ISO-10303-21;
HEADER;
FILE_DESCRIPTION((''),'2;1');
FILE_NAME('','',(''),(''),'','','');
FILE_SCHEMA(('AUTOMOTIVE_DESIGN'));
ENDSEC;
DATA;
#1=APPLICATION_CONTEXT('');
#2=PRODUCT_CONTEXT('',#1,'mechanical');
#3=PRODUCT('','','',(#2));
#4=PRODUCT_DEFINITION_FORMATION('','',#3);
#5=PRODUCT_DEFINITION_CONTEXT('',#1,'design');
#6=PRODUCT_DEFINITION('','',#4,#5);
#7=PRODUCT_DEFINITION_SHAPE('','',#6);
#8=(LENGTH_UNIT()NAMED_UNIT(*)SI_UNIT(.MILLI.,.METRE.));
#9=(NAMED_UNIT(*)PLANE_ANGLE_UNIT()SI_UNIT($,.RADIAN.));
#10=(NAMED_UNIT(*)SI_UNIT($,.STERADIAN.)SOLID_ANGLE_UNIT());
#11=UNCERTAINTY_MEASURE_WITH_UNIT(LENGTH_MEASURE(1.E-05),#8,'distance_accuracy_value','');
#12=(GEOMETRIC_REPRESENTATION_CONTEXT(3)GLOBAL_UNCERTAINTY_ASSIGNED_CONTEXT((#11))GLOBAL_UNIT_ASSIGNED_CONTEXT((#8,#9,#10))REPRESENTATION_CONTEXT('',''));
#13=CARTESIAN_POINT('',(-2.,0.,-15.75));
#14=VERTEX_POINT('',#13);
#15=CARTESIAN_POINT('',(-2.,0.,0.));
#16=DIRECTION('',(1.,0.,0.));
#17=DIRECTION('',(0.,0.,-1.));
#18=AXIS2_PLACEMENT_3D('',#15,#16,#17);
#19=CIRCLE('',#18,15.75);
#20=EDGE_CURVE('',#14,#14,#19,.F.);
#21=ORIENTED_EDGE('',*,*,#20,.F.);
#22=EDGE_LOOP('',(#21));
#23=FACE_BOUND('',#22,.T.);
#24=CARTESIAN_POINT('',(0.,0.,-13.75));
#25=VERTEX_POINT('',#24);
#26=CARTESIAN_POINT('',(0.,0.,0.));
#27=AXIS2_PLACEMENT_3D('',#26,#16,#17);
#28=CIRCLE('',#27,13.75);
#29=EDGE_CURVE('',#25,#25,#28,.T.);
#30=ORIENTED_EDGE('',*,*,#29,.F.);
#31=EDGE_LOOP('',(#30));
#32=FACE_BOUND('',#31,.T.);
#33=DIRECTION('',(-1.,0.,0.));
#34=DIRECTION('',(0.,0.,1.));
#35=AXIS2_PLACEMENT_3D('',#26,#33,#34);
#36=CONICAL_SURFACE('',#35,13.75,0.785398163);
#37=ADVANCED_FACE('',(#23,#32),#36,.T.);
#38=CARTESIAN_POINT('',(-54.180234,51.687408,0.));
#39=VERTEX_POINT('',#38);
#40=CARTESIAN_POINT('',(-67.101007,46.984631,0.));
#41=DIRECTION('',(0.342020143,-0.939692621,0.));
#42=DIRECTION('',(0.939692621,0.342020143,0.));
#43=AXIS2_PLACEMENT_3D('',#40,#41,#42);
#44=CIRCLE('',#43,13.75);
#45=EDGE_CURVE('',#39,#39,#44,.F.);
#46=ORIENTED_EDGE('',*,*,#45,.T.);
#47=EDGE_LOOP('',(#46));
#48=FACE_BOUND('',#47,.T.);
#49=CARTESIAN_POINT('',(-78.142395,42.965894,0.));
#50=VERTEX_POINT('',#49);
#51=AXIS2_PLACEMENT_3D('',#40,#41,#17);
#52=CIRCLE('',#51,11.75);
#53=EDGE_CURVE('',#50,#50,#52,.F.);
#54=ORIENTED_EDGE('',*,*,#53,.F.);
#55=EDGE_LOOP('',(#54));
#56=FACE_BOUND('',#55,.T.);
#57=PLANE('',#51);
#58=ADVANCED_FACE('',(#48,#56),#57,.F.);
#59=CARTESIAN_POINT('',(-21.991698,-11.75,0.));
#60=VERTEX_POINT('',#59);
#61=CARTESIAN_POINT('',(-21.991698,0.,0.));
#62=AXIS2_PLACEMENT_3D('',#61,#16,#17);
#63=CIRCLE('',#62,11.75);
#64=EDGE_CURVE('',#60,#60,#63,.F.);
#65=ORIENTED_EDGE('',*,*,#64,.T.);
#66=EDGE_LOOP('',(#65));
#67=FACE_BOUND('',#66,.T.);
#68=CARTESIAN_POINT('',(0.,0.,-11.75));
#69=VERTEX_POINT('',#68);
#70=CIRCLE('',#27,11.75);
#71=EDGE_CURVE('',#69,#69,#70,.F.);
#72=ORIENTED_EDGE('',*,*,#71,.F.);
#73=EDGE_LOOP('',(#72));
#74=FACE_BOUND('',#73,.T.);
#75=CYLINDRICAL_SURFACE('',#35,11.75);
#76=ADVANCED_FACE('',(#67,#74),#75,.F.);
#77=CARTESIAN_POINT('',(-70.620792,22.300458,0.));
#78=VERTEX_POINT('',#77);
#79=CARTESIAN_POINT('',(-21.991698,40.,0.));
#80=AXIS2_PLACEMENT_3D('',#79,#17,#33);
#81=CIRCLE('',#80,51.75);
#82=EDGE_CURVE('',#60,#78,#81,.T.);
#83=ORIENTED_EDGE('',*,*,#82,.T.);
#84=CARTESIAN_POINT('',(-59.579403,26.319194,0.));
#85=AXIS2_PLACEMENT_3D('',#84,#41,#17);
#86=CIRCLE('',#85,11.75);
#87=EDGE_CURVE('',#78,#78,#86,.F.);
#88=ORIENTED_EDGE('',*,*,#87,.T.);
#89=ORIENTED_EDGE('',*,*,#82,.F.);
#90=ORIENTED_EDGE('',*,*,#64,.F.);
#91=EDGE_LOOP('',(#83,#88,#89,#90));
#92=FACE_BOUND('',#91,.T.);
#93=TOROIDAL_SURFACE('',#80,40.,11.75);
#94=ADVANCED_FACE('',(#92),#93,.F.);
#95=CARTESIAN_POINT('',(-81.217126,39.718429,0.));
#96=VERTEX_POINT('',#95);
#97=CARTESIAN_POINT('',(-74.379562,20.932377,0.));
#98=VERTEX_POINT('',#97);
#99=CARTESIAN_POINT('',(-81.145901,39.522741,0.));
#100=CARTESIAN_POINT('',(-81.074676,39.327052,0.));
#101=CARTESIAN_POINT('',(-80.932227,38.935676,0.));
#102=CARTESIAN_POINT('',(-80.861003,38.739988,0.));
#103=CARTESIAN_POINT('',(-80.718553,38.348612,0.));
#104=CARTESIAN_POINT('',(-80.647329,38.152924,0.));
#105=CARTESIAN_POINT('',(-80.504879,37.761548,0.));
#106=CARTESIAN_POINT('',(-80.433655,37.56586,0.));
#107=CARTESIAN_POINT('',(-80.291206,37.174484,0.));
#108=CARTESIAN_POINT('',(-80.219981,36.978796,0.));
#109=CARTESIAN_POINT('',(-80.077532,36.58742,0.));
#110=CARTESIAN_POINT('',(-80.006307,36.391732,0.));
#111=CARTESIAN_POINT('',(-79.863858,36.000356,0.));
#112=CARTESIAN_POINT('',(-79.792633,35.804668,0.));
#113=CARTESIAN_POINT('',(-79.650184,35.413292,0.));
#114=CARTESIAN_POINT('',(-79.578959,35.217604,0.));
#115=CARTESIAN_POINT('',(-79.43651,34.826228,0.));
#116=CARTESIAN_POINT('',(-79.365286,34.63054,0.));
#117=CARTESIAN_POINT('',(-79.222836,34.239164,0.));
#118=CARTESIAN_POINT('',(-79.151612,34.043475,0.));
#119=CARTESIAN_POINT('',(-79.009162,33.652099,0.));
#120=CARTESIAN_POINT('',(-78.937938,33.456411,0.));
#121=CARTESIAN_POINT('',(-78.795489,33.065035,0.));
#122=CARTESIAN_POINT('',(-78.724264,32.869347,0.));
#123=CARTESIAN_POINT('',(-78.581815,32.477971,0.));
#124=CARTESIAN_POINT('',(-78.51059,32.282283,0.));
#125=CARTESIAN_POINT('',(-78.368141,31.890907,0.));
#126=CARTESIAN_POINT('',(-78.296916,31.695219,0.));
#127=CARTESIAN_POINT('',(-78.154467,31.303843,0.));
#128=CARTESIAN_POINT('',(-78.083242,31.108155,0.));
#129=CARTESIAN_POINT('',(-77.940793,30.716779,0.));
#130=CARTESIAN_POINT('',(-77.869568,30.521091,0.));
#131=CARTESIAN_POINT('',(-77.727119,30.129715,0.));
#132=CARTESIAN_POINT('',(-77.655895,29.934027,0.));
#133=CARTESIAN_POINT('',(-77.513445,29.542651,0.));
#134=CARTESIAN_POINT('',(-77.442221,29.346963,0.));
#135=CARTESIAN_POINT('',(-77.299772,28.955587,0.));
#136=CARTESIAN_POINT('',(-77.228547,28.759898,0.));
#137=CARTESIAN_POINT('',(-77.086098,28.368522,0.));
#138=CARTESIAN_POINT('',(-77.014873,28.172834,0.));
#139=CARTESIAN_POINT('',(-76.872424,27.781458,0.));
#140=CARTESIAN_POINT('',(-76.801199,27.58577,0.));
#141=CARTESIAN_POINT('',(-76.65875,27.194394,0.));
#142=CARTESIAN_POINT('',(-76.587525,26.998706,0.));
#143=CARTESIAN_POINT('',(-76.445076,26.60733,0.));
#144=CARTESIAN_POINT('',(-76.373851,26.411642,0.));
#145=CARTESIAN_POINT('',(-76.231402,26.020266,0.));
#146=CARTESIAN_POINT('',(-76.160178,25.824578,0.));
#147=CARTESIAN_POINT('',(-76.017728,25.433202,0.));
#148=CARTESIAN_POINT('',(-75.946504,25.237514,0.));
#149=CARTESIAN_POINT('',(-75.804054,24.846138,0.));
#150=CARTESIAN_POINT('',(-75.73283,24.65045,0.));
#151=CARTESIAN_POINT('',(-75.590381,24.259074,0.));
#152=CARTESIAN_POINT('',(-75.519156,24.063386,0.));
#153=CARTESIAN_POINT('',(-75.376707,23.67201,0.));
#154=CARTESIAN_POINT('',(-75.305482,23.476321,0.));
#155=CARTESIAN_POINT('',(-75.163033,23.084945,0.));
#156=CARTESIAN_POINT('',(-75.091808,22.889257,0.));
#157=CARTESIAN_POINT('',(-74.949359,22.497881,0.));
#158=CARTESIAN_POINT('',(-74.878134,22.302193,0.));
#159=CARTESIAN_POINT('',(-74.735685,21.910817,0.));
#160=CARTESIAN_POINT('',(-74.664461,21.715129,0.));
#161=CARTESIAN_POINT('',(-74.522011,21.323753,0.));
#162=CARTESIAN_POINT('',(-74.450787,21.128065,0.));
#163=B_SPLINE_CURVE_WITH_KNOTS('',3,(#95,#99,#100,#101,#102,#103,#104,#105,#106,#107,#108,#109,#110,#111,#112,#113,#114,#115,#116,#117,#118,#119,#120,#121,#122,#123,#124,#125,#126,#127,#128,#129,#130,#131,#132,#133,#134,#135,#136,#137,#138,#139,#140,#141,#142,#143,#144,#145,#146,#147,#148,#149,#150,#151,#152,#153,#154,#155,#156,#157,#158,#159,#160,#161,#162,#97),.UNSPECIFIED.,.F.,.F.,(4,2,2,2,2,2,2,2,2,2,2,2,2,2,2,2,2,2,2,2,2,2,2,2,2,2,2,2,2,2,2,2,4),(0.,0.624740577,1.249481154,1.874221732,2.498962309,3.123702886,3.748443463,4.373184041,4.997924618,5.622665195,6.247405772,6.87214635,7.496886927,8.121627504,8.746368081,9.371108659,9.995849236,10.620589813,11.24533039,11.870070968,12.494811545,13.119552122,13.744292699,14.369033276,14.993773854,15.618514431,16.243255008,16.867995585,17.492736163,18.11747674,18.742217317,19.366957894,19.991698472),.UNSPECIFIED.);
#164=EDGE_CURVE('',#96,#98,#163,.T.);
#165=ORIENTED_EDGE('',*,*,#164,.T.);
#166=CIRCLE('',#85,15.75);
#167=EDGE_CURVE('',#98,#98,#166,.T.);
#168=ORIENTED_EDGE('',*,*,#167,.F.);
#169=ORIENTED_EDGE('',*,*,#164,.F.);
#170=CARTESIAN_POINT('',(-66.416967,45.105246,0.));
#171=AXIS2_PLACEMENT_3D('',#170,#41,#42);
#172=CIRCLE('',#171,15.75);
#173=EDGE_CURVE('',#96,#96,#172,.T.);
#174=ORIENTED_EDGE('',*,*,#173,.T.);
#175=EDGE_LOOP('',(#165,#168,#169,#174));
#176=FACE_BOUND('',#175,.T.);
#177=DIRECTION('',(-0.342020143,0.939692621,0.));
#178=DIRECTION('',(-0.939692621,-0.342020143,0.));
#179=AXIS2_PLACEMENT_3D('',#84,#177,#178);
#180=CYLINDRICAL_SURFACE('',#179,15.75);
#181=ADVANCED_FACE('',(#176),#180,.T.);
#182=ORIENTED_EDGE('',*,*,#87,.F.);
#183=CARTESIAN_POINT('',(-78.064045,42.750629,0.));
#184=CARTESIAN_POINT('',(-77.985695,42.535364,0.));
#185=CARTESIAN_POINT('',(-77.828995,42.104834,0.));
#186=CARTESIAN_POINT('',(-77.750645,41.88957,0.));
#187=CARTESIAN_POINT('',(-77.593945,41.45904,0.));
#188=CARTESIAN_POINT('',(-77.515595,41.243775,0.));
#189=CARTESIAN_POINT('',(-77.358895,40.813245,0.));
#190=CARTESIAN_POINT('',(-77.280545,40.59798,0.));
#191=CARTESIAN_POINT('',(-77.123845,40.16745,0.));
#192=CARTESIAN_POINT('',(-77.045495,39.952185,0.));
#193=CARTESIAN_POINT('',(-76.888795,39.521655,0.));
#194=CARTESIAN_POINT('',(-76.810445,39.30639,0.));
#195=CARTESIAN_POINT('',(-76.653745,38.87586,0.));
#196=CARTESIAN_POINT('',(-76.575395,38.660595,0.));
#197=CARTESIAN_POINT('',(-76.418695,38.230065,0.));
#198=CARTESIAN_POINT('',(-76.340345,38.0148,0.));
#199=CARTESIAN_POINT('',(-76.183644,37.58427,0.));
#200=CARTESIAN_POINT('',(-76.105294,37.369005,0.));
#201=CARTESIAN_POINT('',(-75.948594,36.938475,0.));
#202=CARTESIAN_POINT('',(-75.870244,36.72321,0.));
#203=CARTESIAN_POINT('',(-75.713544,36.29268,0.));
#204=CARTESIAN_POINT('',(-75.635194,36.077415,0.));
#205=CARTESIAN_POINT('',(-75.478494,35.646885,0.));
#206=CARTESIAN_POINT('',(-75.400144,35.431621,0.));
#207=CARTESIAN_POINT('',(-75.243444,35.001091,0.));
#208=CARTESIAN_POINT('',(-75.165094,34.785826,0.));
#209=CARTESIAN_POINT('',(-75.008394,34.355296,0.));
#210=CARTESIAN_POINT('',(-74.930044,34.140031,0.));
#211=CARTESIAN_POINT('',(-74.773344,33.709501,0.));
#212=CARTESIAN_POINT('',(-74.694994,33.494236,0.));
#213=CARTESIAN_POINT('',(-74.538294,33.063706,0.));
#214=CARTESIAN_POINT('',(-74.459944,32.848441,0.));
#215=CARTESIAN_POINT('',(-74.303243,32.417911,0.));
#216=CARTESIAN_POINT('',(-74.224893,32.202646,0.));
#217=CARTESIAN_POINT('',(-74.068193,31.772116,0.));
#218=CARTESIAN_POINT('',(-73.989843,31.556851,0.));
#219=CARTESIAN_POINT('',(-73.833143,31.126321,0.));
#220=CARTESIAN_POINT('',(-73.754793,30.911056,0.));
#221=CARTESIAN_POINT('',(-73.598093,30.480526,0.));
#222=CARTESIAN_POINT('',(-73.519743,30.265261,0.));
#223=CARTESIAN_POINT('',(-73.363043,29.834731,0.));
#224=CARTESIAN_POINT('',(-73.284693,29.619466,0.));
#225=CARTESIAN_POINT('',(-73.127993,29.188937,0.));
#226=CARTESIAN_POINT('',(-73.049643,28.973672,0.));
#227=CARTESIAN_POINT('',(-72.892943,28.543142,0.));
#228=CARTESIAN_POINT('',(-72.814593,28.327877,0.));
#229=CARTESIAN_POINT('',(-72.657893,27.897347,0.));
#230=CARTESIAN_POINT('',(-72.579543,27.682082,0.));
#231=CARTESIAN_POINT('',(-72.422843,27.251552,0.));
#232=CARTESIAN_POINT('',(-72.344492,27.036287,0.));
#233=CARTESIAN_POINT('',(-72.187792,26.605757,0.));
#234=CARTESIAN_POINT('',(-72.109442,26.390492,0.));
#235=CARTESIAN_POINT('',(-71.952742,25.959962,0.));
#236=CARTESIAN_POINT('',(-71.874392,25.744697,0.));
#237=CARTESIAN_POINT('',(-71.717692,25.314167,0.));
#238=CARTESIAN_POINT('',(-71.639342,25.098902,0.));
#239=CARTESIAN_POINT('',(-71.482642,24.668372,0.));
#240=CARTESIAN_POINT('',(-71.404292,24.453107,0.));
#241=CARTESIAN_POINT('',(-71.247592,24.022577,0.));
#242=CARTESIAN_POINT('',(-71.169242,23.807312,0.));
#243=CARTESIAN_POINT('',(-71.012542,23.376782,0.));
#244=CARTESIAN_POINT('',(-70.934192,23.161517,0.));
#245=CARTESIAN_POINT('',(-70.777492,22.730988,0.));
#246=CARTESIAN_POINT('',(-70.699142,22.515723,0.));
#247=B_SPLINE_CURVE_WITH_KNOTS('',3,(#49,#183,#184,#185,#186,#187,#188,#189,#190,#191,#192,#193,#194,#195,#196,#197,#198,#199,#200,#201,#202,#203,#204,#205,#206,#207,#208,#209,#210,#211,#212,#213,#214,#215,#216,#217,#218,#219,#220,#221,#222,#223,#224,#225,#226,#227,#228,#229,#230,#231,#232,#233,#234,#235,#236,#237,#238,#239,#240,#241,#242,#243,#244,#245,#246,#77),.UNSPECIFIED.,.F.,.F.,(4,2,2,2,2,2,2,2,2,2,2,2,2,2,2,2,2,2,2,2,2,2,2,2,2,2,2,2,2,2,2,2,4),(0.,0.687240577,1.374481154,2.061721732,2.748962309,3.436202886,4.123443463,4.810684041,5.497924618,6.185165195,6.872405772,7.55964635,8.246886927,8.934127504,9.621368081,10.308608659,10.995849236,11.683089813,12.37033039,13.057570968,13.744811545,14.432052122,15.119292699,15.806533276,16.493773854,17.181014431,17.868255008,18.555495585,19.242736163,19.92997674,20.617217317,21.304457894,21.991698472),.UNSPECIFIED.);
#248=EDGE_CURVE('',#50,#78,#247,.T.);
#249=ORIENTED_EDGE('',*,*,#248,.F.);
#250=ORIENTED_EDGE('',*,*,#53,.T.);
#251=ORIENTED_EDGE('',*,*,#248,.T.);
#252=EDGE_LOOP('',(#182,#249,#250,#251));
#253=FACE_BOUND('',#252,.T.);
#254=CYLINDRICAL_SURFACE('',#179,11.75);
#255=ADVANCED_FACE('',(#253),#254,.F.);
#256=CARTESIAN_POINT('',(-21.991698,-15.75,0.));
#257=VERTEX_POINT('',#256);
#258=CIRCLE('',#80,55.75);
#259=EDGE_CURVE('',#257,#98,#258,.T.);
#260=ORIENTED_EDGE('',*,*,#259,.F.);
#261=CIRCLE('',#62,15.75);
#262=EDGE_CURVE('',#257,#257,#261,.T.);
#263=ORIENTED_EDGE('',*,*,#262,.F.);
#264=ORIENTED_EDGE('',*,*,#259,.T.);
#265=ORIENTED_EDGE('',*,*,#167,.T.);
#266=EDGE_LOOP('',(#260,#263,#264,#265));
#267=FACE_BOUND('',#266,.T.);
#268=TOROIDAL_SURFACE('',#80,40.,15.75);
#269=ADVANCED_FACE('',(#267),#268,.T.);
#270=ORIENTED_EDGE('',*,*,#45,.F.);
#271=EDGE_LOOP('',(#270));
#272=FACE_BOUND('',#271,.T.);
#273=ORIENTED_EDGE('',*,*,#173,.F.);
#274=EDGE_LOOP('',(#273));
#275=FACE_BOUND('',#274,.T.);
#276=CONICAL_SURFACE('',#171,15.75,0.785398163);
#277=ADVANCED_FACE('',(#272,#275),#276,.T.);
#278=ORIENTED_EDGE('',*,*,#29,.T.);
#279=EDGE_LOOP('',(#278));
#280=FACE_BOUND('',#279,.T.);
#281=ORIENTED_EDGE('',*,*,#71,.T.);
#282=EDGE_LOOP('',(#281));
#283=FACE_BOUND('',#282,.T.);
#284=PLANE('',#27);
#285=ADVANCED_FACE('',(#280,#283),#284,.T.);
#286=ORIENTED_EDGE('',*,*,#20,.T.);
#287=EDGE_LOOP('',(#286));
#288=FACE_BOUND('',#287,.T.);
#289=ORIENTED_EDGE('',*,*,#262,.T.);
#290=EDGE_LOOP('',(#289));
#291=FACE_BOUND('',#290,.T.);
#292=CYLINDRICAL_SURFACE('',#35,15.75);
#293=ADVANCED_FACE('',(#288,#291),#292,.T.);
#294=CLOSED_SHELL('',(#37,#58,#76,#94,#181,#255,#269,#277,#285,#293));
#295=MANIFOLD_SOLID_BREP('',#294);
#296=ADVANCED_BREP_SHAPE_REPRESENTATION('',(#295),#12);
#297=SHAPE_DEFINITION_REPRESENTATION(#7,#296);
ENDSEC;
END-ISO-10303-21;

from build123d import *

# Parameters (mm, degrees)
ESQUISSE2_R     = 15.75
ESQUISSE2_R_2   = 11.75
CHANFREIN1_SIZE = 2


with BuildPart() as part:
    # Balayage2: sweep along a path in Esquisse1
    with BuildLine(Plane.XY) as balayage2_path:
        Line((0, 0), (-21.991698472, 0))
        ThreePointArc((-21.991698472, 0), (-44.934755926, 7.233918228), (-59.579403303, 26.319194267))
        Line((-59.579403303, 26.319194267), (-67.101007166, 46.984631039))
    # Esquisse2 → Balayage2 (sweep)
    with BuildSketch(Plane(origin=(0, 0, 0), x_dir=(0, 0, -1), z_dir=(1, 0, 0))):
        Circle(ESQUISSE2_R)
        Circle(ESQUISSE2_R_2, mode=Mode.SUBTRACT)
    sweep(path=balayage2_path.line)

    # Chanfrein1
    chanfrein1_edges = [part.edges().sort_by_distance(p)[0] for p in [
        (-67.101007166, 46.984631039, 15.75),
        (0, 0, 15.75),
    ]]
    chamfer(chanfrein1_edges, length=CHANFREIN1_SIZE)


solid = part.part
